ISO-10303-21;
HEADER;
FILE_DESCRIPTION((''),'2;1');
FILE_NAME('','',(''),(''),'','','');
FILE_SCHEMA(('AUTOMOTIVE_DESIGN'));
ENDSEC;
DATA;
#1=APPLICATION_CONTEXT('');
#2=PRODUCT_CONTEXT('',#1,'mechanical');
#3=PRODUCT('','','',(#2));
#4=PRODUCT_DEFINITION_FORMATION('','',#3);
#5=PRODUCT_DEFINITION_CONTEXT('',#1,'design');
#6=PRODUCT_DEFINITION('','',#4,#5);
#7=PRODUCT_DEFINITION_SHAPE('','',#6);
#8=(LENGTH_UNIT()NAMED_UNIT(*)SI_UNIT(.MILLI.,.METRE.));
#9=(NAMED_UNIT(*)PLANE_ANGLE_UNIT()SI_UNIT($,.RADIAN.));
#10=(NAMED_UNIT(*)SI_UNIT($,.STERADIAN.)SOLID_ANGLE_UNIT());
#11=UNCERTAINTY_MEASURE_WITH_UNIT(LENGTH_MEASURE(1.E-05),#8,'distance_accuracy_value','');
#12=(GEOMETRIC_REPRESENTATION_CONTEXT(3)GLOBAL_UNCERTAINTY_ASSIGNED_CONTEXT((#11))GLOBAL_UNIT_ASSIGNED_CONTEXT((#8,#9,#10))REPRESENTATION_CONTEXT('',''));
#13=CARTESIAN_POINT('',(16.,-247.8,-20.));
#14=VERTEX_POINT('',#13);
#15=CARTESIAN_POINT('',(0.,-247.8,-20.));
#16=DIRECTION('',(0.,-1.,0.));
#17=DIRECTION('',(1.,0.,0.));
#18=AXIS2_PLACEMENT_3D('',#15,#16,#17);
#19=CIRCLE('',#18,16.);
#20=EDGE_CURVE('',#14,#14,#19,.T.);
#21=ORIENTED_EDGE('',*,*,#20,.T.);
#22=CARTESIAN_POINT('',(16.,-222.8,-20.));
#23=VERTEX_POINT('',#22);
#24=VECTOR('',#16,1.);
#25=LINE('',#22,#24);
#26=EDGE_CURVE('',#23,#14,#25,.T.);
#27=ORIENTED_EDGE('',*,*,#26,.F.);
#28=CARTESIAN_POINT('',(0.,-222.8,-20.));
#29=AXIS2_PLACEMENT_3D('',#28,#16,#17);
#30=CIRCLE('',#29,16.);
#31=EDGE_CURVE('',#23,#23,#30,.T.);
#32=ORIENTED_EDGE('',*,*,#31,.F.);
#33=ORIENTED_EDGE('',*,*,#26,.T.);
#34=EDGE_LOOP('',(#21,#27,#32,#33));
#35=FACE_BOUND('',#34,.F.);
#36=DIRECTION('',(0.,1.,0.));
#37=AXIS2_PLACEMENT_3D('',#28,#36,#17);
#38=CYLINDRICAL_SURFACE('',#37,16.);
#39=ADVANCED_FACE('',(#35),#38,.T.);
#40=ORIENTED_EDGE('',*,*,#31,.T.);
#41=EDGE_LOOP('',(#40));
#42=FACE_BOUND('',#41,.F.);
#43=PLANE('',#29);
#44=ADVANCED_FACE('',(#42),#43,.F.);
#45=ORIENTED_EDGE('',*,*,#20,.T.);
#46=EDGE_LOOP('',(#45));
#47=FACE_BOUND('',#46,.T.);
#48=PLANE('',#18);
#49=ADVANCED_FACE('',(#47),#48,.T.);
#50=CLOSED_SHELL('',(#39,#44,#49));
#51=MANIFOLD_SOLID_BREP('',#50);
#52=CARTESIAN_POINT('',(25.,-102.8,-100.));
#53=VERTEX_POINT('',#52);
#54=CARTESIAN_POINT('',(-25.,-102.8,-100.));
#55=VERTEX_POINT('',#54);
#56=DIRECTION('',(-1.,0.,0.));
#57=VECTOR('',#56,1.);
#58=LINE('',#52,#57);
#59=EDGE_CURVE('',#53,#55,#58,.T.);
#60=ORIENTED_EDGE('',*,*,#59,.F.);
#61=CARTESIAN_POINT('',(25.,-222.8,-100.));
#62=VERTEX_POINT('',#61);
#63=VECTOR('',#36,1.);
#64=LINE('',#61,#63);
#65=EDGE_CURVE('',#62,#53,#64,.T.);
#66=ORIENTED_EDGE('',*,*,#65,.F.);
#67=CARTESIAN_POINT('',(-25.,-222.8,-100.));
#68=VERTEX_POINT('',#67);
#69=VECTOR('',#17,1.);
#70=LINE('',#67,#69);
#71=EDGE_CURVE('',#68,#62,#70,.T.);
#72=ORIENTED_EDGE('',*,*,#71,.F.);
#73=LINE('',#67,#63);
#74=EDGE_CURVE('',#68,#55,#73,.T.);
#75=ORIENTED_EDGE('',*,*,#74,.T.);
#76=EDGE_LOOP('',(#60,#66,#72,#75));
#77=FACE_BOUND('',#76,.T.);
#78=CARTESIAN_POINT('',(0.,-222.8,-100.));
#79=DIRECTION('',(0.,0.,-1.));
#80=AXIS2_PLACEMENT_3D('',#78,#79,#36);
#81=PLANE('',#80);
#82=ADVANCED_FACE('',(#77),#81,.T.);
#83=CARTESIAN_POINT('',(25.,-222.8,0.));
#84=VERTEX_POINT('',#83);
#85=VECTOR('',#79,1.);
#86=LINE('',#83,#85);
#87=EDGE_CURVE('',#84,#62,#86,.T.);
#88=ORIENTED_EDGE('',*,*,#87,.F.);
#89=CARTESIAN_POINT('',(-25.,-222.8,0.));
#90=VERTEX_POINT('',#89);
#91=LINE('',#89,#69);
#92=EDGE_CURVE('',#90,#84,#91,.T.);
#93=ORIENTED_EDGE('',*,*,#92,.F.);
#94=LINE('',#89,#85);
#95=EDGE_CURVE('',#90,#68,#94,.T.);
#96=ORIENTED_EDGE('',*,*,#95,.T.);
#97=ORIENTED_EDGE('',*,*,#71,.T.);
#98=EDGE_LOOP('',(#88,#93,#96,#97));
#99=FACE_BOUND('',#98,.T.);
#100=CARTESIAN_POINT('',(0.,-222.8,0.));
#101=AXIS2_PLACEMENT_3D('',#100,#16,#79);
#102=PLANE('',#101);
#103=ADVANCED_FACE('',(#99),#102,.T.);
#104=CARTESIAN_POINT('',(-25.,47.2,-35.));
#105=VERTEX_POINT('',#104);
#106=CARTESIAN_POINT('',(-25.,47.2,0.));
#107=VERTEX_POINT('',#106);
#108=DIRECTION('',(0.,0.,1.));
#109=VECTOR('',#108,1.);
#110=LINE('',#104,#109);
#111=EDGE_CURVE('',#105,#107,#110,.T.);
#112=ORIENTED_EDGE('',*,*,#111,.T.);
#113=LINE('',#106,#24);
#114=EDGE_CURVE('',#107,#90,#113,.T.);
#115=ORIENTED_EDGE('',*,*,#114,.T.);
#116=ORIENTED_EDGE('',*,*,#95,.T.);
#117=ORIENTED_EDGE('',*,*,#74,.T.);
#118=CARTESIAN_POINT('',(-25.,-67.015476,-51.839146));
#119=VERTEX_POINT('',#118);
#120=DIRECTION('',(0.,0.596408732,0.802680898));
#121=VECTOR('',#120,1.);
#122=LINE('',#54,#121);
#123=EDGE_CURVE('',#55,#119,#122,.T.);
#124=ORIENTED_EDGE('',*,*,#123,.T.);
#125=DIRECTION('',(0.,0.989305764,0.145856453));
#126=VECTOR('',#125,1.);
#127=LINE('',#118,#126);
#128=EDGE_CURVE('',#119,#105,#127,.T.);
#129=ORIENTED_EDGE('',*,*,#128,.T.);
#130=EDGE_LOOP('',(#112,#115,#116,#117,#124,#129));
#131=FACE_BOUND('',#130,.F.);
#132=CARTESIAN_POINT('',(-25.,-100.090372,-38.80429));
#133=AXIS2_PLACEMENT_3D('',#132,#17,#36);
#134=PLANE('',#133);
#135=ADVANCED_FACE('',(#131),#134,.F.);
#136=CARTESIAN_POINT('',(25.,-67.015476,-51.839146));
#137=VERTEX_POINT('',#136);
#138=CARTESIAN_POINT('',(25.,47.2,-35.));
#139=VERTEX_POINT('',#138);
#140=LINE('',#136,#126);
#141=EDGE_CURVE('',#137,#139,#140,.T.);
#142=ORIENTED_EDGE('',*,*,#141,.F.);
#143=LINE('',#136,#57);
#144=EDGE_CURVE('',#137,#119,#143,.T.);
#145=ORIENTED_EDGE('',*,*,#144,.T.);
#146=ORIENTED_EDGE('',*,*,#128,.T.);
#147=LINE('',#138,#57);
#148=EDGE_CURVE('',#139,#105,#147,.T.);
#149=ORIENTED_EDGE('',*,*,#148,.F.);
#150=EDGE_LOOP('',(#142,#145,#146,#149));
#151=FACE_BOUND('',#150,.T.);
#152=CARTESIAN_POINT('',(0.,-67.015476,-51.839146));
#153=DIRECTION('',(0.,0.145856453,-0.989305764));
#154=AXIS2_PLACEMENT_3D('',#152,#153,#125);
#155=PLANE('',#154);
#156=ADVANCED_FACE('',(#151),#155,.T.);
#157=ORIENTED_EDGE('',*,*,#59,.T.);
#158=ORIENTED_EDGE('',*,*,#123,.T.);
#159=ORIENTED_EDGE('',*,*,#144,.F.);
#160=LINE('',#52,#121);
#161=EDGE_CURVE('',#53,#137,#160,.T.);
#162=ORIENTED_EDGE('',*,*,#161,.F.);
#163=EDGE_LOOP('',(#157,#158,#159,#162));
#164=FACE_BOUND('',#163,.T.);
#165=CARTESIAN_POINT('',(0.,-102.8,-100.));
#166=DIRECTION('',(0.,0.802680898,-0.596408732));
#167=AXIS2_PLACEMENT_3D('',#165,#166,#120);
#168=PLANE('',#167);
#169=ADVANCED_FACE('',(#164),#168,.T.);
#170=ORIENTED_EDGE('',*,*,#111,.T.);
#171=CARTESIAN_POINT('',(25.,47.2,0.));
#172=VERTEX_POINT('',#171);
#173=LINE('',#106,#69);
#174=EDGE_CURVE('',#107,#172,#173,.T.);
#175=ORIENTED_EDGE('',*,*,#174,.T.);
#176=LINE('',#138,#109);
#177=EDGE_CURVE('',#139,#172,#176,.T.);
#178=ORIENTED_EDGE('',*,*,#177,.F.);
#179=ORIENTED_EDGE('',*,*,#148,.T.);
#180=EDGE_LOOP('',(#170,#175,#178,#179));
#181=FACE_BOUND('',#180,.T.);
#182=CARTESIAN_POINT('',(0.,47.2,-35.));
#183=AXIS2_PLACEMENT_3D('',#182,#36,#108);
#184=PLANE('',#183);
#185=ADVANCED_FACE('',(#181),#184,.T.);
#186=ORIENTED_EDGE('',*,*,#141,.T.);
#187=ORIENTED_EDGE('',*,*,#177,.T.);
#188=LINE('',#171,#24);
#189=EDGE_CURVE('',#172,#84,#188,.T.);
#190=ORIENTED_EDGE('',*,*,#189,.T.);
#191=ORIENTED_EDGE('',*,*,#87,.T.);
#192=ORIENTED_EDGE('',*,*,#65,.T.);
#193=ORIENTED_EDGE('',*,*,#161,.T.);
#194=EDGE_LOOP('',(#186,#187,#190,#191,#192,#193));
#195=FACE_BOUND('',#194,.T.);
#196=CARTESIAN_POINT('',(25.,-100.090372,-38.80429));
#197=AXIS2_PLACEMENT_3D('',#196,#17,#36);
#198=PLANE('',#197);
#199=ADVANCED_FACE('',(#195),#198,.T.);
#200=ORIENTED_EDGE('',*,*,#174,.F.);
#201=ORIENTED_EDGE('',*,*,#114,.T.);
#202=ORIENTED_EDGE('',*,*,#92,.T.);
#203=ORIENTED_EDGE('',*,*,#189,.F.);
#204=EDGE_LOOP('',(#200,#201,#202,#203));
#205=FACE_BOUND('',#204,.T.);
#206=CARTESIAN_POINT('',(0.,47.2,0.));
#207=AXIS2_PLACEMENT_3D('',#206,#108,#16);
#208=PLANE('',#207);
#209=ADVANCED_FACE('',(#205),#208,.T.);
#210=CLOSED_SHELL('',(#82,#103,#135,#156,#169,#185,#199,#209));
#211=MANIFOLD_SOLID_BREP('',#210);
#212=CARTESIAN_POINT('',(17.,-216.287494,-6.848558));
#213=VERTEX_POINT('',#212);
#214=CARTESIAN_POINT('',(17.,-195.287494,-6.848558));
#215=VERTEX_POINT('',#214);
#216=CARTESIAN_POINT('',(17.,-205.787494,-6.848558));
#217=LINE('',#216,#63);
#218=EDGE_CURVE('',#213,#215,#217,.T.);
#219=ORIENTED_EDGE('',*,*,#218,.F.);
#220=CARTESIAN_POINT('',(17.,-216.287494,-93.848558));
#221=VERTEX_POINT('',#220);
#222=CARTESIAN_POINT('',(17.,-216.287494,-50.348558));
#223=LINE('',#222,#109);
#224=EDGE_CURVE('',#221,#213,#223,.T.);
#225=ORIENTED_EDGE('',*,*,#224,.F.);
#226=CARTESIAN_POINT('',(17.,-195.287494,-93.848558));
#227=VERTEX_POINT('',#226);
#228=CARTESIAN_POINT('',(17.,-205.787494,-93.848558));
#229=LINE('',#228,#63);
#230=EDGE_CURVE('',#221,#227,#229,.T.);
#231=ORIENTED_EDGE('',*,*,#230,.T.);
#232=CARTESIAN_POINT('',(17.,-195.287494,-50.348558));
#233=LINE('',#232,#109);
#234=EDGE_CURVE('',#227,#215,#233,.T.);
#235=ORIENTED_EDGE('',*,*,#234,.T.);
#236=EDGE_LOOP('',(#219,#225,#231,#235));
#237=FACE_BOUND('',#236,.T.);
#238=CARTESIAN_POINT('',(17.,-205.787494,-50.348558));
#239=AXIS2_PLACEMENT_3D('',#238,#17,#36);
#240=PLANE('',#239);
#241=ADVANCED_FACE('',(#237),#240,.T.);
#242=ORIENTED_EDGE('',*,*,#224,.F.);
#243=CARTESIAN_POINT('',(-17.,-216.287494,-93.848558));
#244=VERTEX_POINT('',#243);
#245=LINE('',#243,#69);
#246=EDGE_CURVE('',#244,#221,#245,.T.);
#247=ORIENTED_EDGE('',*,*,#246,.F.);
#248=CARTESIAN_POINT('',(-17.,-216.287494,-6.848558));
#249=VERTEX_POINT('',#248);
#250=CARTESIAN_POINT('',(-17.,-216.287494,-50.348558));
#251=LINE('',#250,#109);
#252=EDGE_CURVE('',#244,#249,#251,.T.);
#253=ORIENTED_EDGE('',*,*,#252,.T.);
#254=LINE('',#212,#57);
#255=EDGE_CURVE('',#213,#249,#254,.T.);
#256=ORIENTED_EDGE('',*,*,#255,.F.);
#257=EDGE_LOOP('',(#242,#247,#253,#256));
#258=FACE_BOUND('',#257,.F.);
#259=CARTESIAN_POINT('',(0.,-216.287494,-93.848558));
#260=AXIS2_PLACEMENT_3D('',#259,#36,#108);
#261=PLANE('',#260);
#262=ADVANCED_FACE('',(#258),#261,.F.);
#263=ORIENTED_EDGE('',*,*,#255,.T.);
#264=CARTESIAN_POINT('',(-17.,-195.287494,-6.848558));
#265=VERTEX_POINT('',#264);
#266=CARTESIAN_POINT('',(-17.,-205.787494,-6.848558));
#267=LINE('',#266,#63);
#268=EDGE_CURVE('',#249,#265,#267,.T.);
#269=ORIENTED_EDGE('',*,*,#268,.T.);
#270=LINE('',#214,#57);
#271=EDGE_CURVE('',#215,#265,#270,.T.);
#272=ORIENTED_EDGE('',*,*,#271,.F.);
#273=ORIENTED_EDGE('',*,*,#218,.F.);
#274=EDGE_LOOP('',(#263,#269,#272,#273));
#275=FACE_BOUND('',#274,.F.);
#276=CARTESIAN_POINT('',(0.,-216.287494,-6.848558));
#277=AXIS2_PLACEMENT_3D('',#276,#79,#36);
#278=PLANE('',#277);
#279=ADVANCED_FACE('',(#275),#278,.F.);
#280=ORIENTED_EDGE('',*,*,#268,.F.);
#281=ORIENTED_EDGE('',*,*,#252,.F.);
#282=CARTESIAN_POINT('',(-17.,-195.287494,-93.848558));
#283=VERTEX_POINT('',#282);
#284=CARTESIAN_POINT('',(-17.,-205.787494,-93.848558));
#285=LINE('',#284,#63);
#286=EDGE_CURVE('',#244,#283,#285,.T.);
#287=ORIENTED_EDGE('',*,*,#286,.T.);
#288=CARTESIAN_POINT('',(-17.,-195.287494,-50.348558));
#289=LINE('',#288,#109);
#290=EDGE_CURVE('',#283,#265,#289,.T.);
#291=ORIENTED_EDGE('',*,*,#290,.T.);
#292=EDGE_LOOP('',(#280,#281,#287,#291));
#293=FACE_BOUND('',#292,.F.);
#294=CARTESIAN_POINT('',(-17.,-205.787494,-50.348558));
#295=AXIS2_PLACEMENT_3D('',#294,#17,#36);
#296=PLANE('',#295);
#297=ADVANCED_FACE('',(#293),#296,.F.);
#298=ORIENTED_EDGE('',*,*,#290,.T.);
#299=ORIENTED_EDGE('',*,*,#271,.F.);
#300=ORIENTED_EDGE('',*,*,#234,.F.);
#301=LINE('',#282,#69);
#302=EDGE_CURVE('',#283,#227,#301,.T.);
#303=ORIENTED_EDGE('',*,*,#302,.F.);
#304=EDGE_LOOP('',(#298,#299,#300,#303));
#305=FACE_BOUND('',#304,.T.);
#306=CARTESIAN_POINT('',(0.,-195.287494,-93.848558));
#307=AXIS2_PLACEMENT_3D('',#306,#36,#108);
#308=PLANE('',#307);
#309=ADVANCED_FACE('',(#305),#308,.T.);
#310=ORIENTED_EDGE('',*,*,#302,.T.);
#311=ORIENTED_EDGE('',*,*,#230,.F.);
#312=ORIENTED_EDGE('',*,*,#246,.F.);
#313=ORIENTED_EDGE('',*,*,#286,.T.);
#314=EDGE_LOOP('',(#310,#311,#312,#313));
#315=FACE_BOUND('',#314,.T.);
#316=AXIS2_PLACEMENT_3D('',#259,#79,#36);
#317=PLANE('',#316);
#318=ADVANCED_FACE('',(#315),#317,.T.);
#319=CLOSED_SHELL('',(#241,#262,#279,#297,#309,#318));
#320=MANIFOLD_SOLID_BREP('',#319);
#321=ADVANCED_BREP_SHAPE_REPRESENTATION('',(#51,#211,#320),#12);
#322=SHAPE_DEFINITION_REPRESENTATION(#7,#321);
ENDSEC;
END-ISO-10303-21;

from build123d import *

# Parameters (mm, degrees)
F3_DEPTH = 25
F2_W     = 21
F2_H     = 87
F4_DEPTH = 17
F5_R     = 16
F6_DEPTH = 25


with BuildPart() as f3:
    # F1 (on Right) → F3 (new body, symmetric)
    with BuildSketch(Plane.YZ):
        Polygon((47.2, -35), (47.2, 0), (-222.8, 0), (-222.8, -100), (-102.8, -100), (-67.015476, -51.839146), align=None)
    extrude(amount=F3_DEPTH, both=True)


with BuildPart() as f4:
    # F2 (on Right) → F4 (new body, symmetric)
    with BuildSketch(Plane.YZ):
        with Locations((-205.787494, -50.348558)):
            Rectangle(F2_W, F2_H)
    extrude(amount=F4_DEPTH, both=True)


with BuildPart() as f6:
    # F5 (on face) → F6 (new body)
    with BuildSketch(Plane.XZ.offset(222.8)):
        with Locations((0, -20)):
            Circle(F5_R)
    extrude(amount=F6_DEPTH)


solid = Compound([f3.part, f4.part, f6.part])
